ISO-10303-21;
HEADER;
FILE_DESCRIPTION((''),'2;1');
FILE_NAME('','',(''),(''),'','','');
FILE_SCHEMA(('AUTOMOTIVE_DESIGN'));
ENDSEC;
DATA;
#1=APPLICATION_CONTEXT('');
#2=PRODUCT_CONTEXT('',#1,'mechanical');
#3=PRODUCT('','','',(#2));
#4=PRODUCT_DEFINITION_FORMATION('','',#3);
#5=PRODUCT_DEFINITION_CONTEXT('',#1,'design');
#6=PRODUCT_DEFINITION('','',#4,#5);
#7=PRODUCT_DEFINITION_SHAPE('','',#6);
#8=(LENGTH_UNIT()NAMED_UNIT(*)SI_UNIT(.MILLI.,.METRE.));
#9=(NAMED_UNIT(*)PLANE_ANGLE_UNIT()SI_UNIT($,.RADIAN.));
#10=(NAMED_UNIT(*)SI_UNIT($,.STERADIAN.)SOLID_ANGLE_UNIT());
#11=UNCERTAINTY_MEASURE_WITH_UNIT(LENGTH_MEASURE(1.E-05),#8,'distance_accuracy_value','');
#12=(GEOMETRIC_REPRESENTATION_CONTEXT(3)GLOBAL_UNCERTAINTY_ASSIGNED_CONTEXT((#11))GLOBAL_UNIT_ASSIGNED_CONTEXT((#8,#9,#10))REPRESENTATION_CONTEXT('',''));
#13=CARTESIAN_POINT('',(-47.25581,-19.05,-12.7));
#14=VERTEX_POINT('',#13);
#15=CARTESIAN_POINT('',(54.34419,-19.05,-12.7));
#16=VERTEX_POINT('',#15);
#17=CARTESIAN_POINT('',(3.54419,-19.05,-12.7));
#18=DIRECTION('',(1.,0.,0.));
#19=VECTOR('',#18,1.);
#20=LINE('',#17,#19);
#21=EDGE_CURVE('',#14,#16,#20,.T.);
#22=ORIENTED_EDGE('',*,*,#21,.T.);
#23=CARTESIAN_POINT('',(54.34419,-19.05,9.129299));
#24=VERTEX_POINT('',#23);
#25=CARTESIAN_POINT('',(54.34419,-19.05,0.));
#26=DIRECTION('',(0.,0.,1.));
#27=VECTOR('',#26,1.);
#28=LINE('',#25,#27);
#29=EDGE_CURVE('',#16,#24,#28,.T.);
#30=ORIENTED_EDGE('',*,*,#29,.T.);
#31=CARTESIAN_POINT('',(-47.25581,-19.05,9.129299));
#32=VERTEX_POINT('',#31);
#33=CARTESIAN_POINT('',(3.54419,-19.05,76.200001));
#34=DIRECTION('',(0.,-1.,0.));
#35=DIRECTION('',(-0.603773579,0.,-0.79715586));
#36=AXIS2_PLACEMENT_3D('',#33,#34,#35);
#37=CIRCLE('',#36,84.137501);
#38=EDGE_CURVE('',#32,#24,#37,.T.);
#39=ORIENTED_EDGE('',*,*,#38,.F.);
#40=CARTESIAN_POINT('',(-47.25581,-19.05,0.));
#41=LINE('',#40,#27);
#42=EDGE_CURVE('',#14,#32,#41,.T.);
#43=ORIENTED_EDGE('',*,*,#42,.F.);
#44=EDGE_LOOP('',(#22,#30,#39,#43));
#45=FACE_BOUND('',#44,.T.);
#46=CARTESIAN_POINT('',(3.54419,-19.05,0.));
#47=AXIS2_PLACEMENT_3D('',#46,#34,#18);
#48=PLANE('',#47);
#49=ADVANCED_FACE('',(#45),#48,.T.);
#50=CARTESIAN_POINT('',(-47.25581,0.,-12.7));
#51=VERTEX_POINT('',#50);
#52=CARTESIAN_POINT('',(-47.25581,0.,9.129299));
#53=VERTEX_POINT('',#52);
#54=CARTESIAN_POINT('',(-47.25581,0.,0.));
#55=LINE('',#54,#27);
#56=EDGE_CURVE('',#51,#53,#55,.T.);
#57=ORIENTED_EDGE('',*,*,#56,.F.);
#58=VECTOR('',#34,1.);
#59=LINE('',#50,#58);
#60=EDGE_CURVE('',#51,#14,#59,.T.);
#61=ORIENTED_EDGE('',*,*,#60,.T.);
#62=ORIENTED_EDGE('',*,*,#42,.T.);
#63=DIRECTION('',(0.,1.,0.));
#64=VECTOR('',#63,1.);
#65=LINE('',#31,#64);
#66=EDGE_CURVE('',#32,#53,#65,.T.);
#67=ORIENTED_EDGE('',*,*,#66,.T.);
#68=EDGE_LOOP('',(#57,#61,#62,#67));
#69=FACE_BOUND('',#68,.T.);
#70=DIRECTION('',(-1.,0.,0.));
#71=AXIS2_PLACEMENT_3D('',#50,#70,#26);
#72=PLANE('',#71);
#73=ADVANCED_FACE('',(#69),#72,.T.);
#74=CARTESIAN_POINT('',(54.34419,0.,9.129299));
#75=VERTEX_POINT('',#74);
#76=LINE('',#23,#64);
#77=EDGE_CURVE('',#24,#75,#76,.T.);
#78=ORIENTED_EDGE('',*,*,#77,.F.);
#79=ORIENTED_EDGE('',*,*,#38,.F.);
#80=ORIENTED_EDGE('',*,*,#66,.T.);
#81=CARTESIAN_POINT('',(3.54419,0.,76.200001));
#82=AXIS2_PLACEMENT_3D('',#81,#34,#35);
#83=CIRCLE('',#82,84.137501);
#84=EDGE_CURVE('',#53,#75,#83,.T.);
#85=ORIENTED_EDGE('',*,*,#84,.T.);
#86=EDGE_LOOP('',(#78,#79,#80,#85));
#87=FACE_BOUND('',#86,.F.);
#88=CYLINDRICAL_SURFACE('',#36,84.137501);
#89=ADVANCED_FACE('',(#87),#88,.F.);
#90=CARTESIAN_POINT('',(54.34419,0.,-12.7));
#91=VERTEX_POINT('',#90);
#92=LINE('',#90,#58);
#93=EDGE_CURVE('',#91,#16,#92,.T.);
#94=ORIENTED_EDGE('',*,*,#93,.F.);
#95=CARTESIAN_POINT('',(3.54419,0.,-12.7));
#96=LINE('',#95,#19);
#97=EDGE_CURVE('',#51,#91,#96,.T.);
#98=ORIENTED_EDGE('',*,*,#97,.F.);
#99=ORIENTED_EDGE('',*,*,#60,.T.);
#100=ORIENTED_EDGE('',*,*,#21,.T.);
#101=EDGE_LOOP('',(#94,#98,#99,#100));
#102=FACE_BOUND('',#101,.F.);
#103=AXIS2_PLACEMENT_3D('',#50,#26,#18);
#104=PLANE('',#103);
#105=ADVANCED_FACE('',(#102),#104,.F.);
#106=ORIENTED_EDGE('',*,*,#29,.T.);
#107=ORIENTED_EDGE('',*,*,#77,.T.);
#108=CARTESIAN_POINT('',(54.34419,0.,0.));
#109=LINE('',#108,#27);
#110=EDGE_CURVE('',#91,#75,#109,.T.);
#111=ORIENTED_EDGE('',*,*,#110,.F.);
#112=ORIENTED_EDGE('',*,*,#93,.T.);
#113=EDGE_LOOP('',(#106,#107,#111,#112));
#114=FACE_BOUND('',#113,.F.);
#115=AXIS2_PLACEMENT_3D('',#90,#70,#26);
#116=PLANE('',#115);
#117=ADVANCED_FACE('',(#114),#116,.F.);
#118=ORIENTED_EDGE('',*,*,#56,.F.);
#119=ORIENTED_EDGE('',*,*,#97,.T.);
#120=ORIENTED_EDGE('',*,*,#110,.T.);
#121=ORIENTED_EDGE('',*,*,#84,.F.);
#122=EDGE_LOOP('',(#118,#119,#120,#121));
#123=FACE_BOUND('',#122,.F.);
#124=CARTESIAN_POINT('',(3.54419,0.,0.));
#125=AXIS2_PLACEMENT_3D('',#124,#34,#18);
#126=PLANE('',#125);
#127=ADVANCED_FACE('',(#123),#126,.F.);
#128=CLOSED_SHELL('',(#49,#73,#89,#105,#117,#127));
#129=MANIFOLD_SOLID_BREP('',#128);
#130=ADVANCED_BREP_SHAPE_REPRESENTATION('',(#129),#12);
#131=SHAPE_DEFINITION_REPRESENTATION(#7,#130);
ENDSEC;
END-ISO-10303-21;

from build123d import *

# Parameters (mm, degrees)
F0_W     = 101.6
F0_H     = 25.4
F1_DEPTH = 19.05
F3_DEPTH = 19.051


with BuildPart() as f1:
    # F0 (on Front) → F1 (new body)
    with BuildSketch(Plane.XZ):
        with Locations((3.54419, 0)):
            Rectangle(F0_W, F0_H)
    extrude(amount=F1_DEPTH)

    # F2 (on face) → F3 (cut, through all)
    with BuildSketch(Plane.XZ.offset(19.05)):
        with BuildLine():
            ThreePointArc((54.34419, 9.129299), (78.887749, 38.750475), (87.68169, 76.2))
            ThreePointArc((87.68169, 76.2), (-33.905335, 151.543559), (-47.25581, 9.129299))
            Line((-47.25581, 9.129299), (-47.25581, 12.7))
            Line((-47.25581, 12.7), (54.34419, 12.7))
            Line((54.34419, 12.7), (54.34419, 9.129299))
        make_face()
        with BuildLine():
            Line((-47.25581, 12.7), (-47.25581, 9.129299))
            ThreePointArc((-47.25581, 9.129299), (3.54419, -7.9375), (54.34419, 9.129299))
            Line((54.34419, 9.129299), (54.34419, 12.7))
            Line((54.34419, 12.7), (-47.25581, 12.7))
        make_face()
    extrude(amount=-F3_DEPTH, mode=Mode.SUBTRACT)


solid = f1.part
